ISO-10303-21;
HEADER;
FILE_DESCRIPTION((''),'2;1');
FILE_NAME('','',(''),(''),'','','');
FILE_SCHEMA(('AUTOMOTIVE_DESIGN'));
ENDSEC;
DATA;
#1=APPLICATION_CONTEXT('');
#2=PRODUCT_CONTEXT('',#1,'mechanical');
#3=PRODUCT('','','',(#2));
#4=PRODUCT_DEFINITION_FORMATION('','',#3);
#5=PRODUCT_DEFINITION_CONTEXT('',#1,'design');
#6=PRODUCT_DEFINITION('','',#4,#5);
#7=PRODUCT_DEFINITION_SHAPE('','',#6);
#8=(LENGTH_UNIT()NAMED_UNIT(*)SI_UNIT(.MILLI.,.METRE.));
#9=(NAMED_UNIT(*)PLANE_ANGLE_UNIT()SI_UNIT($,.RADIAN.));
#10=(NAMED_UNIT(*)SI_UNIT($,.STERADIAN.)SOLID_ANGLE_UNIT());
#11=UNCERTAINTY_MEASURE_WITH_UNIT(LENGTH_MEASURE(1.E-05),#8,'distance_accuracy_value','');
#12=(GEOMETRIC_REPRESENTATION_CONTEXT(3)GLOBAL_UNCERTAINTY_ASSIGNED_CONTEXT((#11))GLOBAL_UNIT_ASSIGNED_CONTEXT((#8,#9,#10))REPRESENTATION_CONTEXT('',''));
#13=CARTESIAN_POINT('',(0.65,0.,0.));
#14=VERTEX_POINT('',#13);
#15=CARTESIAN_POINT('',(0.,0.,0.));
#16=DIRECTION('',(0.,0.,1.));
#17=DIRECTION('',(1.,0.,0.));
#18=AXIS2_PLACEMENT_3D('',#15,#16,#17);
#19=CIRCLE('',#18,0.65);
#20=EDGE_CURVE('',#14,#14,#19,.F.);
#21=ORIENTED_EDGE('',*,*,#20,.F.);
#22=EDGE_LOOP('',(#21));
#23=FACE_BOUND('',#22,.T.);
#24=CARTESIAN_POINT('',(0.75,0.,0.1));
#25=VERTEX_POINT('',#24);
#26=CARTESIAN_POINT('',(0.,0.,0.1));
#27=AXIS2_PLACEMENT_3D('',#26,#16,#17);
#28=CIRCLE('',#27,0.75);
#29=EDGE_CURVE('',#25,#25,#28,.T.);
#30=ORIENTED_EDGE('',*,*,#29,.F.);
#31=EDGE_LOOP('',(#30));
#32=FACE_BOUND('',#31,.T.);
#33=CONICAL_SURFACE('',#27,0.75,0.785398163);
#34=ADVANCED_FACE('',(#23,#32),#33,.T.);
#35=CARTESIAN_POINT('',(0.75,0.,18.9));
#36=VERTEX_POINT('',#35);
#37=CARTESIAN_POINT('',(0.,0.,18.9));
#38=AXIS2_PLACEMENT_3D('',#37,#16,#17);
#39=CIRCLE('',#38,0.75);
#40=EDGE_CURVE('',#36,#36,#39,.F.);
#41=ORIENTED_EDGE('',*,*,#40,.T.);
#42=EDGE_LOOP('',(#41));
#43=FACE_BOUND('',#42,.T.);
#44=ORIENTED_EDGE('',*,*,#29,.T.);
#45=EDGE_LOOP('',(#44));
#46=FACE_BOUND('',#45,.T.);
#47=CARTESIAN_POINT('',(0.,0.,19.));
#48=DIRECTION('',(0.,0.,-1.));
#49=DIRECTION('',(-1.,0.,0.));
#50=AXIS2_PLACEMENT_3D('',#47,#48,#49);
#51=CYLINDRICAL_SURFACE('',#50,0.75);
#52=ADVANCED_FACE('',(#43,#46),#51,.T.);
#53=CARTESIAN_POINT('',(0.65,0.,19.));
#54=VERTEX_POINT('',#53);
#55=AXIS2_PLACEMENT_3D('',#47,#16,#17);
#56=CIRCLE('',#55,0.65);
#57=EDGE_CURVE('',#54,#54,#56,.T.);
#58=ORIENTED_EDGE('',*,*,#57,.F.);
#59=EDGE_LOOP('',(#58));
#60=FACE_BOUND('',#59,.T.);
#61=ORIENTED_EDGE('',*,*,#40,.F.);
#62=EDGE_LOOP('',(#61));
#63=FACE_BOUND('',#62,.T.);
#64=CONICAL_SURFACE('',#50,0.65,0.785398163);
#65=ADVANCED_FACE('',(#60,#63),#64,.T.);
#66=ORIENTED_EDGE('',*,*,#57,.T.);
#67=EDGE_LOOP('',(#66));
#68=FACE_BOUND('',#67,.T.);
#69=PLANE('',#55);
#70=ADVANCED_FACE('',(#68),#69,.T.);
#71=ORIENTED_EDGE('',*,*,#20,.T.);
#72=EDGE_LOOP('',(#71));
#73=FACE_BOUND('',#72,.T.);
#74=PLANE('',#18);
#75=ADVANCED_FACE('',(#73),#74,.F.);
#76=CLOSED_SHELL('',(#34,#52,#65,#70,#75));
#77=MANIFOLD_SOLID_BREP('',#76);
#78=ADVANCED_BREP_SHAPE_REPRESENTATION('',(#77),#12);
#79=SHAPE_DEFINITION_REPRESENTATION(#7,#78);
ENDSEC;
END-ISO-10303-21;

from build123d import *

# Parameters (mm, degrees)
SKETCH1_R           = 0.75
BOSS_EXTRUDE1_DEPTH = 19
CHAMFER1_SIZE       = 0.1


with BuildPart() as part:
    # Sketch1 → Boss-Extrude1 (new body)
    with BuildSketch(Plane.XY):
        Circle(SKETCH1_R)
    extrude(amount=BOSS_EXTRUDE1_DEPTH)

    # Chamfer1
    chamfer1_edges = [part.edges().sort_by_distance(p)[0] for p in [
        (-0.75, 0, 0),
        (-0.75, 0, 19),
    ]]
    chamfer(chamfer1_edges, length=CHAMFER1_SIZE)


solid = part.part
